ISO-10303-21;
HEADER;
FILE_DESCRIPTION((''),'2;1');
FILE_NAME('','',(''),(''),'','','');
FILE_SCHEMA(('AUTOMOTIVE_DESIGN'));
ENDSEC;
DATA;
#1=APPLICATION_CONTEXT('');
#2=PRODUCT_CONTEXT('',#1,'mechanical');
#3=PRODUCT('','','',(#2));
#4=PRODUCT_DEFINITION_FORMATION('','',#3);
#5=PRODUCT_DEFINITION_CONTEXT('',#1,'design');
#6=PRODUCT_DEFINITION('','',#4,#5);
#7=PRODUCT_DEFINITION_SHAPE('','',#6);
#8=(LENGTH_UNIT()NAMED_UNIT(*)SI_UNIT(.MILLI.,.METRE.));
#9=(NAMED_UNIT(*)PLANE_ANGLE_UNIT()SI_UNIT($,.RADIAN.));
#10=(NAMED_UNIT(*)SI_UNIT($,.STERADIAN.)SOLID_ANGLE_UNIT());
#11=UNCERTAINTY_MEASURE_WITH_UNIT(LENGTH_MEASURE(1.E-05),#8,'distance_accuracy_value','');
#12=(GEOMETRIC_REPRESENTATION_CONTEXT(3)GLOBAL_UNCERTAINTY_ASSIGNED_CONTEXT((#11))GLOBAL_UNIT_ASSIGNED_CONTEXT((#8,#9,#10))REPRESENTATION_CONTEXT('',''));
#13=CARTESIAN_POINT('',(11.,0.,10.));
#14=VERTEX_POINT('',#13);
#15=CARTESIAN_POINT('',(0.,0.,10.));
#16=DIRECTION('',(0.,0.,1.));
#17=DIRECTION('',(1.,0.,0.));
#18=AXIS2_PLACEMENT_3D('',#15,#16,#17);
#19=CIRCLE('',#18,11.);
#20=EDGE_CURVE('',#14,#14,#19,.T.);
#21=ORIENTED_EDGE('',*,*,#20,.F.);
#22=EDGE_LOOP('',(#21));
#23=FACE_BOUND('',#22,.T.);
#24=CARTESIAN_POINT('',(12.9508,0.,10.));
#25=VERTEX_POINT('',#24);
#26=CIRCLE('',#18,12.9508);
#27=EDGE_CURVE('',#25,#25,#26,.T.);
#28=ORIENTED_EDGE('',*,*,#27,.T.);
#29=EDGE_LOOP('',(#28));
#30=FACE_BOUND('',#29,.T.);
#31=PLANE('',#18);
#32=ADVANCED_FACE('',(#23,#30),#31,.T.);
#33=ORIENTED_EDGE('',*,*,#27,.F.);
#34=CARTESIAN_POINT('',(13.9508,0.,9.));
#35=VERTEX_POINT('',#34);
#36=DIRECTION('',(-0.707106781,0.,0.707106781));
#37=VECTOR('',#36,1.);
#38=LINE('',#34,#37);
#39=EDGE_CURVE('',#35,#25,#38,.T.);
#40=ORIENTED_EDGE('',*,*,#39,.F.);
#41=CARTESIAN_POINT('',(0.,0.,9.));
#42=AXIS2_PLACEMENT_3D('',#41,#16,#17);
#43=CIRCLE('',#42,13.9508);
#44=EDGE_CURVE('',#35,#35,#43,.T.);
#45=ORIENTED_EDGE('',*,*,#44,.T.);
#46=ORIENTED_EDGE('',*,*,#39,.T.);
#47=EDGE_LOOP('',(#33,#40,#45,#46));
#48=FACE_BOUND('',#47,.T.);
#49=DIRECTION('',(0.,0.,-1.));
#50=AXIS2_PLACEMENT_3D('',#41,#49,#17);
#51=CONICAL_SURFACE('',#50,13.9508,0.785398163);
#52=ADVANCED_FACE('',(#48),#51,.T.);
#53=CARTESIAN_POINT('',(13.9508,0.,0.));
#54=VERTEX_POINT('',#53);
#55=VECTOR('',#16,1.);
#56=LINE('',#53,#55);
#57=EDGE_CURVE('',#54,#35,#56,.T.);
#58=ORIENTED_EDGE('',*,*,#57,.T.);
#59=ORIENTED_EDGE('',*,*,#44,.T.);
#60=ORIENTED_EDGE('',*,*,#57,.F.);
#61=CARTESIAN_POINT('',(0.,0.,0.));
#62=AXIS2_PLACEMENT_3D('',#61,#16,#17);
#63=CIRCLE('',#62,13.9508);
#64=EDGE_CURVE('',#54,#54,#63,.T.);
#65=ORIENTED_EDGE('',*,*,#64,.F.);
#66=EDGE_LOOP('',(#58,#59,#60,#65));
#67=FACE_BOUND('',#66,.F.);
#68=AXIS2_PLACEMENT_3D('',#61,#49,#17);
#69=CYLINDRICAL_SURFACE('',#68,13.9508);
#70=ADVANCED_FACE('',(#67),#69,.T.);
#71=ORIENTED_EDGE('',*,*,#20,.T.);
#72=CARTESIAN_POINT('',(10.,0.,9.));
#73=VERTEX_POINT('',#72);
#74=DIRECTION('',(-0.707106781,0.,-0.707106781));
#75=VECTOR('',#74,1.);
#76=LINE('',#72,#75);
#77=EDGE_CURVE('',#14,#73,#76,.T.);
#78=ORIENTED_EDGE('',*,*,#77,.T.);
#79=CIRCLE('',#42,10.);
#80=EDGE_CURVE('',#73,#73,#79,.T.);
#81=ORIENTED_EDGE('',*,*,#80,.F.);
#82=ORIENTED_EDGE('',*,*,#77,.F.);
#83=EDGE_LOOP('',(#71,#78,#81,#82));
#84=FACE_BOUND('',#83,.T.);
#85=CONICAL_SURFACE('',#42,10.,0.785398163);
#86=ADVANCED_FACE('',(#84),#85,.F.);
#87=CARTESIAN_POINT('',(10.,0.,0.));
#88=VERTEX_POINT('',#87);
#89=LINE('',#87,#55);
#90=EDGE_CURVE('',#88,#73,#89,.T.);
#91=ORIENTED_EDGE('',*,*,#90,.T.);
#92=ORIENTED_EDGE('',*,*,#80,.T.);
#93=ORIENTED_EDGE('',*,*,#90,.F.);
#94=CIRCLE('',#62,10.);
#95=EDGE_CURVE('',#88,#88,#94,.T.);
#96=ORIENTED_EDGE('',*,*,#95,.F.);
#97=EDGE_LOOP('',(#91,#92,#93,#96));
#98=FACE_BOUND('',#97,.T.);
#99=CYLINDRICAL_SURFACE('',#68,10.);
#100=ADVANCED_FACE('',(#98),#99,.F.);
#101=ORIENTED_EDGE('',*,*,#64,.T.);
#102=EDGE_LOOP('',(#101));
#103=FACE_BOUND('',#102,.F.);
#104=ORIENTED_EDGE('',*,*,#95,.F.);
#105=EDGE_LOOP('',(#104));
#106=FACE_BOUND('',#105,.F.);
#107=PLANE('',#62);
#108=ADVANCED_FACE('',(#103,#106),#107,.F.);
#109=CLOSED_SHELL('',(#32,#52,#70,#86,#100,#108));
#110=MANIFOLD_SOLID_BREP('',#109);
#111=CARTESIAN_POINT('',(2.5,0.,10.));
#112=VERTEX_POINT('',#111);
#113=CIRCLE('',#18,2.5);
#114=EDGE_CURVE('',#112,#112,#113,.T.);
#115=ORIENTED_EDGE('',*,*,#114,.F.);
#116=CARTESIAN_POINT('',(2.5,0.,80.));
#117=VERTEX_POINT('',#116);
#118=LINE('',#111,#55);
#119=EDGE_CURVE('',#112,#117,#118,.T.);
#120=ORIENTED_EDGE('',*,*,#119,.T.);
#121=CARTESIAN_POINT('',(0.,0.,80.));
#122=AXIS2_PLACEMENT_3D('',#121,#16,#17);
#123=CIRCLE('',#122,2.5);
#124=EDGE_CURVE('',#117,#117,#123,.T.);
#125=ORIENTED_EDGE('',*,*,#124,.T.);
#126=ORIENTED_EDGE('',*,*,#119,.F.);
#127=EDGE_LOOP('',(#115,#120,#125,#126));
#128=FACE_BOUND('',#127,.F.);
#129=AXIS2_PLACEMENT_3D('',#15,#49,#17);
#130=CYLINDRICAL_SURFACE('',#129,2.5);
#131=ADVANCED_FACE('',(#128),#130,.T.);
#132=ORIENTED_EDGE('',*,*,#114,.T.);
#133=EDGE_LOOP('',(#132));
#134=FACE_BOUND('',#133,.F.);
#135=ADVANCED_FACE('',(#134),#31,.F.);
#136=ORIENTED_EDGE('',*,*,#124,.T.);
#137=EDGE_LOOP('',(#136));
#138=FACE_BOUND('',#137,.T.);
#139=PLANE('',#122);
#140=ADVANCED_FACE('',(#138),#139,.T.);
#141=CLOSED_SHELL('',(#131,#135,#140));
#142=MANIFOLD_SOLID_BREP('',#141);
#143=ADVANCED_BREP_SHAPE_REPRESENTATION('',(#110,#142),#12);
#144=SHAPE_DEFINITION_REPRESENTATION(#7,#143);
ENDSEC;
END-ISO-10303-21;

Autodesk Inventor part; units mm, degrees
ref_plane "YZ Plane" through (0, 0, 0) normal (1, 0, 0) x (0, 1, 0)
ref_plane "XZ Plane" through (0, 0, 0) normal (0, 1, 0) x (-1, 0, 0)
ref_plane "XY Plane" through (0, 0, 0) normal (0, 0, 1) x (1, 0, 0)
sketch "スケッチ1" plane through (0, 0, 0) normal (0, 0, 1) x (1, 0, 0)
  circle A0 centre (0, 0) radius 10
  circle A1 centre (0, 0) radius 13.9508
  dimension "d0" = 20
extrude "押し出し1" add sketch "スケッチ1" along normal blind 10
chamfer "面取り1" distance 1 angle 45 1 edges at (-13.9508, 0, 10)
chamfer "面取り2" distance 1 angle 45 1 edges at (-10, 0, 10)
sketch "スケッチ2" plane through (0, 0, 10) normal (0, 0, 1) x (1, 0, 0)
  circle A0 centre (0, 0) radius 2.5
  dimension "d9" = 5
extrude "押し出し2" add sketch "スケッチ2" along normal blind 70
